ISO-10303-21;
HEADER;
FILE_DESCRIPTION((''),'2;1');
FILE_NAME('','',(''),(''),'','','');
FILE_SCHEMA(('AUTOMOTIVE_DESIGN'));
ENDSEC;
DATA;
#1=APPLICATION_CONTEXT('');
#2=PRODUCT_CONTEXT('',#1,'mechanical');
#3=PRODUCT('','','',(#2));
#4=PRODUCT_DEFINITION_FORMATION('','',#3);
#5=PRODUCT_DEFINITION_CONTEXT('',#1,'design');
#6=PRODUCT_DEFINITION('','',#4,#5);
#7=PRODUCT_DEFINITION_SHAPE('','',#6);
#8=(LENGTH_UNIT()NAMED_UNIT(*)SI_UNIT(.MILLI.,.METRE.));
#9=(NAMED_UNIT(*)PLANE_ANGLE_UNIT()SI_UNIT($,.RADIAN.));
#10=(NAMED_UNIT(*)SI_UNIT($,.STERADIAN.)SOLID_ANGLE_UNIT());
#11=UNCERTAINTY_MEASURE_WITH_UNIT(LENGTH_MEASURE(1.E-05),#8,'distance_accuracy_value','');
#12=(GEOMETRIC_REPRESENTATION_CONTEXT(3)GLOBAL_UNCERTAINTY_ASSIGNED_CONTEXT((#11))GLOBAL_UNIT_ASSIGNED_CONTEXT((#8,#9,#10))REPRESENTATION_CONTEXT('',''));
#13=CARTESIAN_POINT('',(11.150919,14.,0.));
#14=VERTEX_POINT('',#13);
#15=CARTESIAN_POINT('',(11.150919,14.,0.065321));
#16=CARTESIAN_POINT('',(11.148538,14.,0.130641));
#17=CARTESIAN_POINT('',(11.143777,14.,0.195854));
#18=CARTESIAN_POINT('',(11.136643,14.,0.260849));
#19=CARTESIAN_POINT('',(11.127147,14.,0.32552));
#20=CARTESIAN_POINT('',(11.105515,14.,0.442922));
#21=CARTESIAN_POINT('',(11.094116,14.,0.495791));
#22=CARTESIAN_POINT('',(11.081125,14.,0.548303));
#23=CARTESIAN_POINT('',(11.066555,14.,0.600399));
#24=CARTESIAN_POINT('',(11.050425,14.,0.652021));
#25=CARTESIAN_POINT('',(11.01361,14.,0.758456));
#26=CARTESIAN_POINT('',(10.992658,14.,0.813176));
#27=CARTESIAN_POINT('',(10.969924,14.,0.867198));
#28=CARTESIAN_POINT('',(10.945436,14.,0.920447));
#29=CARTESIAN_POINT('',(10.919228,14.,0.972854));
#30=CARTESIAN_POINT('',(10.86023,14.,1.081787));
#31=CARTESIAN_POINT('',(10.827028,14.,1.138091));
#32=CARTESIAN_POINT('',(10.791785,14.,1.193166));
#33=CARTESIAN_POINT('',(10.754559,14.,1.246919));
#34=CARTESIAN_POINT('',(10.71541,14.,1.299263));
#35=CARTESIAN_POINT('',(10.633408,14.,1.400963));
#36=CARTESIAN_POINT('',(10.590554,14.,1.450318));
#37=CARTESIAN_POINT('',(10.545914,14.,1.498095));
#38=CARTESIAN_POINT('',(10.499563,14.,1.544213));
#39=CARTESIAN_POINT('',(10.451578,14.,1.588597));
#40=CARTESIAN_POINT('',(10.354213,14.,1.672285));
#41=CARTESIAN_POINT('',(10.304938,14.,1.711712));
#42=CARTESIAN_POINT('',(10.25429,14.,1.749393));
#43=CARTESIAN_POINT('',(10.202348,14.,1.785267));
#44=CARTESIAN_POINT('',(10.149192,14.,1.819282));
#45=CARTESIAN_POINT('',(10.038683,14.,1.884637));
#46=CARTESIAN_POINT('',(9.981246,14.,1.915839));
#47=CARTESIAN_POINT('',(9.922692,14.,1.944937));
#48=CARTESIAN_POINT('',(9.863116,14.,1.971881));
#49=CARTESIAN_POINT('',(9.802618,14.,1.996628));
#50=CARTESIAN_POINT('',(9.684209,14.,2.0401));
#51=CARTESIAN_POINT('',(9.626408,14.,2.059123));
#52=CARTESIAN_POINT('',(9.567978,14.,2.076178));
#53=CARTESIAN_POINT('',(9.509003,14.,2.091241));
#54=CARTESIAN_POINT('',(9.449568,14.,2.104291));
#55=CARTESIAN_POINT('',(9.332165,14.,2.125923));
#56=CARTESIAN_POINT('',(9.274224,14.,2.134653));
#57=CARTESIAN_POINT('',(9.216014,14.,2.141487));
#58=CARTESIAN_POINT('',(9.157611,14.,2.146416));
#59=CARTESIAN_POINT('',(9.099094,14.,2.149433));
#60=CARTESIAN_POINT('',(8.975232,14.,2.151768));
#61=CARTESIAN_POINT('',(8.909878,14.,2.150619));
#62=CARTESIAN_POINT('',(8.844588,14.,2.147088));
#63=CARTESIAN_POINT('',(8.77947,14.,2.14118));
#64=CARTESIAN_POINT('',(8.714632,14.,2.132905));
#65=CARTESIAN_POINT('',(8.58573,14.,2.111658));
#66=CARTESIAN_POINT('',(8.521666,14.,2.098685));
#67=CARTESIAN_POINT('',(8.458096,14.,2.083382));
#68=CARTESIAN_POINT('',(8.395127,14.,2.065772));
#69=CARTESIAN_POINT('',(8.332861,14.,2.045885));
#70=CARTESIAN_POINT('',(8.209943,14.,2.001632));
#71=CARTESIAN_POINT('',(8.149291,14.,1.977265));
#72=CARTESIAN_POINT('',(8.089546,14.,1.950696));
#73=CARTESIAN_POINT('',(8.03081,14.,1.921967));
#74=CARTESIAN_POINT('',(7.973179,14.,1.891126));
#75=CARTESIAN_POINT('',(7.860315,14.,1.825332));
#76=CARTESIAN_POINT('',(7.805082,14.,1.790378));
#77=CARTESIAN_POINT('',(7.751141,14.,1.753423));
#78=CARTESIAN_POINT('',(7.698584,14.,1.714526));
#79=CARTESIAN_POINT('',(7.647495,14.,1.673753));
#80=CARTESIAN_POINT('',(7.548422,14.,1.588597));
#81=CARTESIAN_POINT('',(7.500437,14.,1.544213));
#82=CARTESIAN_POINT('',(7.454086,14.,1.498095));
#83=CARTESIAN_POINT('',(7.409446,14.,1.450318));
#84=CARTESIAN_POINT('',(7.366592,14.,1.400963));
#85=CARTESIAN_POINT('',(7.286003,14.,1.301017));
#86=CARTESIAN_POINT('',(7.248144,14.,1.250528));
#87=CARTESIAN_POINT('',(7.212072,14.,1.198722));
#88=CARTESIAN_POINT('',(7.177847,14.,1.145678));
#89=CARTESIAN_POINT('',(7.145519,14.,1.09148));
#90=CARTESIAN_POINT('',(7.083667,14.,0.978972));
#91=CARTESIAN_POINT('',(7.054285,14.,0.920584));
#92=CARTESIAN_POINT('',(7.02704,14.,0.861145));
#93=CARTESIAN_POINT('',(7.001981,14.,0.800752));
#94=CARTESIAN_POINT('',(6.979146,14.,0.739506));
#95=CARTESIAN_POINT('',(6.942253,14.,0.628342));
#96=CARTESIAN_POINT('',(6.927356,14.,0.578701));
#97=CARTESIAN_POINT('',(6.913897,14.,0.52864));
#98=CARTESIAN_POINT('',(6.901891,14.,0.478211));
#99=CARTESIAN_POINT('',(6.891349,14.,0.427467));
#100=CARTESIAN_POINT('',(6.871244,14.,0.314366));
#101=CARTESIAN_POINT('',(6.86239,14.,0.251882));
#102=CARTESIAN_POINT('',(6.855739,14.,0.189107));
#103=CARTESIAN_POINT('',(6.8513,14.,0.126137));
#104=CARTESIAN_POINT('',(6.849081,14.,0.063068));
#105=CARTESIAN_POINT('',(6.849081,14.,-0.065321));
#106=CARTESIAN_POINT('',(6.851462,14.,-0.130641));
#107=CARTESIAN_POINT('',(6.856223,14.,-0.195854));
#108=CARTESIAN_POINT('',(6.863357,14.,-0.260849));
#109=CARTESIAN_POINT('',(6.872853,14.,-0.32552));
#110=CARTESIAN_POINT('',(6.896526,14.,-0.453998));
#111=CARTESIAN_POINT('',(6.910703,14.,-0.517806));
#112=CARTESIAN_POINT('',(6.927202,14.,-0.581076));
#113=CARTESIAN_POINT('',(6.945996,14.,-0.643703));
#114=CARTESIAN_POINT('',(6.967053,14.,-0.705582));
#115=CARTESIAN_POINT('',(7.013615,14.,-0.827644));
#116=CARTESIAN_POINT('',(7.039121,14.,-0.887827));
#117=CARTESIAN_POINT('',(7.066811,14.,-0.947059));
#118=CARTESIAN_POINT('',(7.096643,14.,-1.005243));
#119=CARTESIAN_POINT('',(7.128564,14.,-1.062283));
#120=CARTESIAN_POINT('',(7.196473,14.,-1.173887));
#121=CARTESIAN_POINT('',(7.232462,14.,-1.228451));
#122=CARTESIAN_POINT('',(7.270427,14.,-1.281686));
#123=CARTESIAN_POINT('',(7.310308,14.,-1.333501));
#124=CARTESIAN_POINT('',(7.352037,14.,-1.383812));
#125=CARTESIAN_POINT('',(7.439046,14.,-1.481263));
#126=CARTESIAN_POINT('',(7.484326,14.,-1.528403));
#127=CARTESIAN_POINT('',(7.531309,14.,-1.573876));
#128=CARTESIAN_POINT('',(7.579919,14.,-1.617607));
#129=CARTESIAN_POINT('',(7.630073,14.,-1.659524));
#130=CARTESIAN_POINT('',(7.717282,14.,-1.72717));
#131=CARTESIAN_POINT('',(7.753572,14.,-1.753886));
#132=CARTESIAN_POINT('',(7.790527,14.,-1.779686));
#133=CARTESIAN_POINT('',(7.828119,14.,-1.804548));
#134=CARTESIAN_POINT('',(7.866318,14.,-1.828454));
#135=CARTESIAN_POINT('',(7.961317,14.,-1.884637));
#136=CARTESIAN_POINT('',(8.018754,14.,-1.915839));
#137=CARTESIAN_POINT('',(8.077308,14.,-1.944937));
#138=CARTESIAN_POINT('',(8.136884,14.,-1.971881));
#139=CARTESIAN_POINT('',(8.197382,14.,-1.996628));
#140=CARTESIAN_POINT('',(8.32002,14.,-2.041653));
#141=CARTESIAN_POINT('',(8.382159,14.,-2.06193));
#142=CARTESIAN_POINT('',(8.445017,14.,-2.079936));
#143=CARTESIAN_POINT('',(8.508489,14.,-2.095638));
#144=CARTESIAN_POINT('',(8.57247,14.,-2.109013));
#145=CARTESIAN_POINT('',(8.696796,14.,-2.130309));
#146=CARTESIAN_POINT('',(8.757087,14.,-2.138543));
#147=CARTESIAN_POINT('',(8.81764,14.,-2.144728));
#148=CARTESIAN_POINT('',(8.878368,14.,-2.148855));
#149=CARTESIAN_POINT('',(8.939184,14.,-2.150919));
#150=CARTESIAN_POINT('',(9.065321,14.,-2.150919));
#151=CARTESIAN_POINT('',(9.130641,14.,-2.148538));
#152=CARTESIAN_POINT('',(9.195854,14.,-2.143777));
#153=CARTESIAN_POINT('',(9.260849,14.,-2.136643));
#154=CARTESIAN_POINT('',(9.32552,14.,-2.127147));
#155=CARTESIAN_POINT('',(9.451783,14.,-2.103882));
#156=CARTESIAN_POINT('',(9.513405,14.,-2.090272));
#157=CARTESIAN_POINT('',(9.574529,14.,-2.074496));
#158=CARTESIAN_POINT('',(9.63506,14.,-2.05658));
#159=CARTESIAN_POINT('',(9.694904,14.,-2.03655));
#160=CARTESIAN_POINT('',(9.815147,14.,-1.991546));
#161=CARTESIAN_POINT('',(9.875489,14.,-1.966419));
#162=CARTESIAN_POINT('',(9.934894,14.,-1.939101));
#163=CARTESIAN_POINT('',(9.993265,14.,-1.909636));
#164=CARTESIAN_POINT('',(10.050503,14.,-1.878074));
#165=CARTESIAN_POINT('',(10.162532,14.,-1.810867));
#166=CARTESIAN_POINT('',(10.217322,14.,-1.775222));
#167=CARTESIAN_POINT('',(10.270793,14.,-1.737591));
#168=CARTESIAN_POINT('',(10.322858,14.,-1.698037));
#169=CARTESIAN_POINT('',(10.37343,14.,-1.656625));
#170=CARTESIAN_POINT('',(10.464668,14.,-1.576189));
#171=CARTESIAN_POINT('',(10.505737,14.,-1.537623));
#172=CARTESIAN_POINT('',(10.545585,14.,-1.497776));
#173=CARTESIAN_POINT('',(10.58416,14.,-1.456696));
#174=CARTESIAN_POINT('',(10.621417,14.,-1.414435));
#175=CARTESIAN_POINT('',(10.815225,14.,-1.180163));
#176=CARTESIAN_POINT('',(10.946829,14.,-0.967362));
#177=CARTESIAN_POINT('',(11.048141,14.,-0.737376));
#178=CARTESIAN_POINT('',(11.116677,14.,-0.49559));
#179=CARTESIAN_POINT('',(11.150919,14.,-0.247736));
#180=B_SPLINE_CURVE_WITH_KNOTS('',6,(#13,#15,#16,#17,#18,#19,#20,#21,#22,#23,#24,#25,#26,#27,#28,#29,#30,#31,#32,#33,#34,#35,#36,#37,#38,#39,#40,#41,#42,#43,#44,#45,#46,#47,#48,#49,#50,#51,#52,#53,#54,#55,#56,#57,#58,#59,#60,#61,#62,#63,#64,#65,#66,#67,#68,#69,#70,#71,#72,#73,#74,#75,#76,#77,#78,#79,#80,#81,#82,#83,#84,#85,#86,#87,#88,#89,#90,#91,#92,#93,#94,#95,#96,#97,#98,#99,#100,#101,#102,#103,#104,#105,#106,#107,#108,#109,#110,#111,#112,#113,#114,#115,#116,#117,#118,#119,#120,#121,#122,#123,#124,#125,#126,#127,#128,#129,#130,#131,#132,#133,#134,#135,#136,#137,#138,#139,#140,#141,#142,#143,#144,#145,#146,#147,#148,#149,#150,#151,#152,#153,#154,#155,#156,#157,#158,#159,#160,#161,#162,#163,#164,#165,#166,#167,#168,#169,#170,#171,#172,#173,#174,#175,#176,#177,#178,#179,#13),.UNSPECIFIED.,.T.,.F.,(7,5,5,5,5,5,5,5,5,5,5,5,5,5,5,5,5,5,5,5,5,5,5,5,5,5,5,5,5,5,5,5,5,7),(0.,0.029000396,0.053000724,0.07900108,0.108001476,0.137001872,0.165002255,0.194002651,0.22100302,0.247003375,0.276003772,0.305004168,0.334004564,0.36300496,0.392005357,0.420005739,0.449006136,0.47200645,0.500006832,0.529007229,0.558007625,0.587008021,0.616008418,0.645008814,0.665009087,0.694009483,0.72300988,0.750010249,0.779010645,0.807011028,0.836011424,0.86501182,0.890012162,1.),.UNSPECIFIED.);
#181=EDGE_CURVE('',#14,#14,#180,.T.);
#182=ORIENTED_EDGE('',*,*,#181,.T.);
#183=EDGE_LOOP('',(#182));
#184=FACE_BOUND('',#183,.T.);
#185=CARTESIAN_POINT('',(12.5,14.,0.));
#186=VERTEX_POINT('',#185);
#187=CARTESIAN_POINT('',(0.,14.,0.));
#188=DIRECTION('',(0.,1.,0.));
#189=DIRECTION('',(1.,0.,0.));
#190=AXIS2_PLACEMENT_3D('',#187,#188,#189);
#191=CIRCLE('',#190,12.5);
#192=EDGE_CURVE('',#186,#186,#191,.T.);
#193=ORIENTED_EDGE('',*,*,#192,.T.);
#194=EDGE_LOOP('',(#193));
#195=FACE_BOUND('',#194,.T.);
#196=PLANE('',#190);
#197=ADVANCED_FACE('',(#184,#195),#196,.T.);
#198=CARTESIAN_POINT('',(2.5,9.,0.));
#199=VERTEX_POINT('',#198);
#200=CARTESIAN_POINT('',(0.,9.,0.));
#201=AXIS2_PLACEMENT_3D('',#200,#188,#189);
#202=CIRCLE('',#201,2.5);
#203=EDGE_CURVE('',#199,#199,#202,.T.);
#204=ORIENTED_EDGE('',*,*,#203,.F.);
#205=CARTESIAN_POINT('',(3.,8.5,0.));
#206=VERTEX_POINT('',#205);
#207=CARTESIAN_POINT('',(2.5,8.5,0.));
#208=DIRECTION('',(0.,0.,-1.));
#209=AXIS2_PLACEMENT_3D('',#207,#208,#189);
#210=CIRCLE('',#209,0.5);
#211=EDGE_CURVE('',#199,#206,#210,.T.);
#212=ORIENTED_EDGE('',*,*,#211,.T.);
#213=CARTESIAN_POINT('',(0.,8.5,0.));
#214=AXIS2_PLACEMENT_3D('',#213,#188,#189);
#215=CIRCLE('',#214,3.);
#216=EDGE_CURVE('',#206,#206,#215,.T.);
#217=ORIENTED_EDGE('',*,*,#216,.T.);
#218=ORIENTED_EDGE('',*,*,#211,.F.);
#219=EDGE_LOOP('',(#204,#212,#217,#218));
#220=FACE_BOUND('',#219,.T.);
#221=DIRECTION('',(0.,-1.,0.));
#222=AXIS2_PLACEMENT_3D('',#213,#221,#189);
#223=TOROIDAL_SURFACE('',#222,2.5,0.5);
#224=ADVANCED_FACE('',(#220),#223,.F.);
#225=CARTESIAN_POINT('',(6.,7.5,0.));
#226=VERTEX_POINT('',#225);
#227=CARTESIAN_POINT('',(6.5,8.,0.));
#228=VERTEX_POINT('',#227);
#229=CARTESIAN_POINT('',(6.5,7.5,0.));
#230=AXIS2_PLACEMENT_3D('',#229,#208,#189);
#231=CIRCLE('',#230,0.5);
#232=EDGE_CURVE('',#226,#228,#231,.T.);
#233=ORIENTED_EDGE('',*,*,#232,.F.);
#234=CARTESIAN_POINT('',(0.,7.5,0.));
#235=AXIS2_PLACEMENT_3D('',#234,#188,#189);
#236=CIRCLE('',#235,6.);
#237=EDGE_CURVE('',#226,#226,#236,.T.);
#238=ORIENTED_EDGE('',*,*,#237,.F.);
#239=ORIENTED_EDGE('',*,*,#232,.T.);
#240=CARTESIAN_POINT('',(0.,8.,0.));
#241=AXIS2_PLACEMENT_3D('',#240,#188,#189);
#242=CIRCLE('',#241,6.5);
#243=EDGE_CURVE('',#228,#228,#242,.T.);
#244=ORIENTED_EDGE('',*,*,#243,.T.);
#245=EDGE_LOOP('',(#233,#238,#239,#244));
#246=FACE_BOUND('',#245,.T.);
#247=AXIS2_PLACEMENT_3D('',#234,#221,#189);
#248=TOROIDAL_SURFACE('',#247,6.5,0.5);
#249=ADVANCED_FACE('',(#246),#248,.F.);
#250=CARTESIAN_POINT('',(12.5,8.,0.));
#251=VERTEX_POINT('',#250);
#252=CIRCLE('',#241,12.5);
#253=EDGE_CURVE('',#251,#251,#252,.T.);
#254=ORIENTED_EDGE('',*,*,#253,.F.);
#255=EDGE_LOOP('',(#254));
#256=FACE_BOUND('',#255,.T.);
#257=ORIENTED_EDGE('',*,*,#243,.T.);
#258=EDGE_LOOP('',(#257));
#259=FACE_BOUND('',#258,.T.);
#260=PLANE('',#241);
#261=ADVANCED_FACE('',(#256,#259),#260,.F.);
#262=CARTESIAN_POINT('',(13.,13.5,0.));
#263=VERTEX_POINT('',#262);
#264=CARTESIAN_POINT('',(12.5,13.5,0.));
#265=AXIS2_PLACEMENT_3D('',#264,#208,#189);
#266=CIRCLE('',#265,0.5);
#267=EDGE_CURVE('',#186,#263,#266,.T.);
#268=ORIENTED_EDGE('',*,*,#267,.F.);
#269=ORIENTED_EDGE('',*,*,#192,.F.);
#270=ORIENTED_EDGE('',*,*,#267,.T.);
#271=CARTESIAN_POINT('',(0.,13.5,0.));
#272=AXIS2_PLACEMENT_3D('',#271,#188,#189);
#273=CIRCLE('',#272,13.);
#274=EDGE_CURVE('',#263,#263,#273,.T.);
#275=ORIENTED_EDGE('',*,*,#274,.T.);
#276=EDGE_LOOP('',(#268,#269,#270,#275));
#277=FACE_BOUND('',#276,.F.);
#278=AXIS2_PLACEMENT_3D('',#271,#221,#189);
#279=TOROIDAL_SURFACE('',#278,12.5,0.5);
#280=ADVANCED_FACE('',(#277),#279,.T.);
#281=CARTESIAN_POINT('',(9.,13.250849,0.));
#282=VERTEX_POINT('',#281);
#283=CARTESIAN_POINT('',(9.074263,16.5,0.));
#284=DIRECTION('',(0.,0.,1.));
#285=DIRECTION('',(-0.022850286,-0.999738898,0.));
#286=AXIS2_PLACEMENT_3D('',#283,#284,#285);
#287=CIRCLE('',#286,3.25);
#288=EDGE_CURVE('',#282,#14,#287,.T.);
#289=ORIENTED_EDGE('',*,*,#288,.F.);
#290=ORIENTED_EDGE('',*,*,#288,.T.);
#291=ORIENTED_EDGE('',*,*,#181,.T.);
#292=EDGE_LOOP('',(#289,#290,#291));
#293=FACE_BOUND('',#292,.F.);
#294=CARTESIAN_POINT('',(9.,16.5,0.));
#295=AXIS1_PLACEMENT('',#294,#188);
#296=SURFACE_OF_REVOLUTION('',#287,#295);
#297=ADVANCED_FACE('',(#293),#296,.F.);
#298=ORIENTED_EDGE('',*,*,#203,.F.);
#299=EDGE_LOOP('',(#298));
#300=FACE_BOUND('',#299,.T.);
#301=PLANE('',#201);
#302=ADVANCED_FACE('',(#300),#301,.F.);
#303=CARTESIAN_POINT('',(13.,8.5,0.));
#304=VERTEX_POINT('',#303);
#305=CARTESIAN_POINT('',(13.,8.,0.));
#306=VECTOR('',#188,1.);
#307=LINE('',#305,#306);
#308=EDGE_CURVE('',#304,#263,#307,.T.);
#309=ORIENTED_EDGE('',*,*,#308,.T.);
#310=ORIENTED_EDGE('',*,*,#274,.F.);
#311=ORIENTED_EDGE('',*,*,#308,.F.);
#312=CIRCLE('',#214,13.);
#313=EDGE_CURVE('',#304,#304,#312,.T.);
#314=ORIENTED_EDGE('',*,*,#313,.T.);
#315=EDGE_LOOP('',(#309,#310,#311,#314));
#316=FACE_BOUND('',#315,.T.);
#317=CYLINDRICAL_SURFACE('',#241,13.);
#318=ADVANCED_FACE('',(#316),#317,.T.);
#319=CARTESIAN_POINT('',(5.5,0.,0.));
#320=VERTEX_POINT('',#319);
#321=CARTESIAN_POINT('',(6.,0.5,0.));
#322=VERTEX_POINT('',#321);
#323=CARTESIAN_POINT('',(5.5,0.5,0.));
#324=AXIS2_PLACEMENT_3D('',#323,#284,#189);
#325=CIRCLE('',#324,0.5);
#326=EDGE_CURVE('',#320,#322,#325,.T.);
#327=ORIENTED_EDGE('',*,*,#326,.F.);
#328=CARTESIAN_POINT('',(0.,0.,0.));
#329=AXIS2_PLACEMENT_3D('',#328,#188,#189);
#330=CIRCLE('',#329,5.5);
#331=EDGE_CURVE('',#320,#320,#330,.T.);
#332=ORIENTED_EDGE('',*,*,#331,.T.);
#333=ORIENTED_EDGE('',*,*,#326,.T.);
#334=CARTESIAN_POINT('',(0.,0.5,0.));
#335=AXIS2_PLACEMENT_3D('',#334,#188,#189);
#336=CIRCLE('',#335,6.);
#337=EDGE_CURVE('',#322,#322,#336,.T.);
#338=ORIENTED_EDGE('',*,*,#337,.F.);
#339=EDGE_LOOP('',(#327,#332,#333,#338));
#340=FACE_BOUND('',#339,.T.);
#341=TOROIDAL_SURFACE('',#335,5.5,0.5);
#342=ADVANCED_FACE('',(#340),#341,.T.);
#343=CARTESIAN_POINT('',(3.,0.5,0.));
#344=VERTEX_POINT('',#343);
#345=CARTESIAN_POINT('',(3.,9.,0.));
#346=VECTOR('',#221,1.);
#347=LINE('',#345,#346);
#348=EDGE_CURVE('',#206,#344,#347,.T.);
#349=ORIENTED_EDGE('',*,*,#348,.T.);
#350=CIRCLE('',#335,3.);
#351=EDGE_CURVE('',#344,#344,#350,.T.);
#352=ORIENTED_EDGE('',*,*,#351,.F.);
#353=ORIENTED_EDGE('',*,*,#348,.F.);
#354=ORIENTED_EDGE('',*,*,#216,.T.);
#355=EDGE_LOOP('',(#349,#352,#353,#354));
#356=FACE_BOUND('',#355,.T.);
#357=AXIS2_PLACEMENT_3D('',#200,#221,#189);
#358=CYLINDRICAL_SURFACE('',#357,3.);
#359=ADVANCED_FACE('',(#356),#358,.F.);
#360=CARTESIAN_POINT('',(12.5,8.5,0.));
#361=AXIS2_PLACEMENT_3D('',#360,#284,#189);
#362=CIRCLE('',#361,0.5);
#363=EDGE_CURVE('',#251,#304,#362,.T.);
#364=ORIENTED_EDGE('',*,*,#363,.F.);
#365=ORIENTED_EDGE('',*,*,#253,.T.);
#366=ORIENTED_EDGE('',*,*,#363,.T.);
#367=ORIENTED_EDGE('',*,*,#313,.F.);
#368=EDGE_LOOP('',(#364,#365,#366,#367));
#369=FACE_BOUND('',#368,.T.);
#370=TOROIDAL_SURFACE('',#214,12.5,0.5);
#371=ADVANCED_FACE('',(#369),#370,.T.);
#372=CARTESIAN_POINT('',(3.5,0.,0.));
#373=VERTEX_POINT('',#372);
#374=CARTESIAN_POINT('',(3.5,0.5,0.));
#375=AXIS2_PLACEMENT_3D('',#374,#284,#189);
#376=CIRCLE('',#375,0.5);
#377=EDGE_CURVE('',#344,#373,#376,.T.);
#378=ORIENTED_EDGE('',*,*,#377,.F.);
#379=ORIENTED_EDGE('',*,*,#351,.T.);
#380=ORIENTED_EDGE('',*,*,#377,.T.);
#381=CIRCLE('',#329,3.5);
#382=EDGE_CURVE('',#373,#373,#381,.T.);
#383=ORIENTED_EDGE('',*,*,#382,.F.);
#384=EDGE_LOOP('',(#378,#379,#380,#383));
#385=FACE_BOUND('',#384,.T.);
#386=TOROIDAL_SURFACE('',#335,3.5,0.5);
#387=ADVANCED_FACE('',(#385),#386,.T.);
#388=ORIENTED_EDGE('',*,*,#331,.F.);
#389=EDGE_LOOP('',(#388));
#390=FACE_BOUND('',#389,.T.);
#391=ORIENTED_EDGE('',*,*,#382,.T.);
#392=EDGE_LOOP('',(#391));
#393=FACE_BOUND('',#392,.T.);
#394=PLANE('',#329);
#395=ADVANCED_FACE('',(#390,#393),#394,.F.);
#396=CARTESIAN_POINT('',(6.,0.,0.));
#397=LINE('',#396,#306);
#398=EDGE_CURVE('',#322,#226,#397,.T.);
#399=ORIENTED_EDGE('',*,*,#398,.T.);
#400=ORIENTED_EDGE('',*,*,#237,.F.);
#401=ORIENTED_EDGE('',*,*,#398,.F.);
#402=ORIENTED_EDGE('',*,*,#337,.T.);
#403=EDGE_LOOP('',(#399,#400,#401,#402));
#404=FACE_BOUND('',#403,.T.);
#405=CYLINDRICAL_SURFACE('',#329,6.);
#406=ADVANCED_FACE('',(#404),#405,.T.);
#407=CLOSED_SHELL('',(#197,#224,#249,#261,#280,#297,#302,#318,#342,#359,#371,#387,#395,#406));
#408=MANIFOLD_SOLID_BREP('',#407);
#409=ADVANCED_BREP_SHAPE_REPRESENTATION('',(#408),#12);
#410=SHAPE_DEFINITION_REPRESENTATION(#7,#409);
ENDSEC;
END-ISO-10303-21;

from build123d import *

# Parameters (mm, degrees)
F2_R = 0.5


with BuildPart() as f1:
    # F0 (on Top) → F1 (revolve)
    with BuildSketch(Plane.XY):
        Polygon((13, 14), (0, 14), (0, 9), (3, 9), (3, 0), (6, 0), (6, 8), (13, 8), align=None)
    revolve(axis=Axis((0, 0.918181, 0), (0, 1, 0)))

    # F2
    f2_edges = [f1.edges().sort_by_distance(p)[0] for p in [
        (-13, 14, 0),
        (-13, 8, 0),
        (-6, 0, 0),
        (-6, 8, 0),
        (6, 4, 0),
        (-3, 9, 0),
        (-3, 0, 0),
        (3, 4.5, 0),
    ]]
    fillet(f2_edges, radius=F2_R)

    # F3 (on Top) → F4 (revolve, cut)
    with BuildSketch(Plane.XY):
        with BuildLine():
            Line((9, 19.749151), (9, 13.250849))
            ThreePointArc((9, 13.250849), (12.324263, 16.5), (9, 19.749151))
        make_face()
    revolve(axis=Axis((9, 16.5, 0), (0, 1, 0)), mode=Mode.SUBTRACT)


solid = f1.part
